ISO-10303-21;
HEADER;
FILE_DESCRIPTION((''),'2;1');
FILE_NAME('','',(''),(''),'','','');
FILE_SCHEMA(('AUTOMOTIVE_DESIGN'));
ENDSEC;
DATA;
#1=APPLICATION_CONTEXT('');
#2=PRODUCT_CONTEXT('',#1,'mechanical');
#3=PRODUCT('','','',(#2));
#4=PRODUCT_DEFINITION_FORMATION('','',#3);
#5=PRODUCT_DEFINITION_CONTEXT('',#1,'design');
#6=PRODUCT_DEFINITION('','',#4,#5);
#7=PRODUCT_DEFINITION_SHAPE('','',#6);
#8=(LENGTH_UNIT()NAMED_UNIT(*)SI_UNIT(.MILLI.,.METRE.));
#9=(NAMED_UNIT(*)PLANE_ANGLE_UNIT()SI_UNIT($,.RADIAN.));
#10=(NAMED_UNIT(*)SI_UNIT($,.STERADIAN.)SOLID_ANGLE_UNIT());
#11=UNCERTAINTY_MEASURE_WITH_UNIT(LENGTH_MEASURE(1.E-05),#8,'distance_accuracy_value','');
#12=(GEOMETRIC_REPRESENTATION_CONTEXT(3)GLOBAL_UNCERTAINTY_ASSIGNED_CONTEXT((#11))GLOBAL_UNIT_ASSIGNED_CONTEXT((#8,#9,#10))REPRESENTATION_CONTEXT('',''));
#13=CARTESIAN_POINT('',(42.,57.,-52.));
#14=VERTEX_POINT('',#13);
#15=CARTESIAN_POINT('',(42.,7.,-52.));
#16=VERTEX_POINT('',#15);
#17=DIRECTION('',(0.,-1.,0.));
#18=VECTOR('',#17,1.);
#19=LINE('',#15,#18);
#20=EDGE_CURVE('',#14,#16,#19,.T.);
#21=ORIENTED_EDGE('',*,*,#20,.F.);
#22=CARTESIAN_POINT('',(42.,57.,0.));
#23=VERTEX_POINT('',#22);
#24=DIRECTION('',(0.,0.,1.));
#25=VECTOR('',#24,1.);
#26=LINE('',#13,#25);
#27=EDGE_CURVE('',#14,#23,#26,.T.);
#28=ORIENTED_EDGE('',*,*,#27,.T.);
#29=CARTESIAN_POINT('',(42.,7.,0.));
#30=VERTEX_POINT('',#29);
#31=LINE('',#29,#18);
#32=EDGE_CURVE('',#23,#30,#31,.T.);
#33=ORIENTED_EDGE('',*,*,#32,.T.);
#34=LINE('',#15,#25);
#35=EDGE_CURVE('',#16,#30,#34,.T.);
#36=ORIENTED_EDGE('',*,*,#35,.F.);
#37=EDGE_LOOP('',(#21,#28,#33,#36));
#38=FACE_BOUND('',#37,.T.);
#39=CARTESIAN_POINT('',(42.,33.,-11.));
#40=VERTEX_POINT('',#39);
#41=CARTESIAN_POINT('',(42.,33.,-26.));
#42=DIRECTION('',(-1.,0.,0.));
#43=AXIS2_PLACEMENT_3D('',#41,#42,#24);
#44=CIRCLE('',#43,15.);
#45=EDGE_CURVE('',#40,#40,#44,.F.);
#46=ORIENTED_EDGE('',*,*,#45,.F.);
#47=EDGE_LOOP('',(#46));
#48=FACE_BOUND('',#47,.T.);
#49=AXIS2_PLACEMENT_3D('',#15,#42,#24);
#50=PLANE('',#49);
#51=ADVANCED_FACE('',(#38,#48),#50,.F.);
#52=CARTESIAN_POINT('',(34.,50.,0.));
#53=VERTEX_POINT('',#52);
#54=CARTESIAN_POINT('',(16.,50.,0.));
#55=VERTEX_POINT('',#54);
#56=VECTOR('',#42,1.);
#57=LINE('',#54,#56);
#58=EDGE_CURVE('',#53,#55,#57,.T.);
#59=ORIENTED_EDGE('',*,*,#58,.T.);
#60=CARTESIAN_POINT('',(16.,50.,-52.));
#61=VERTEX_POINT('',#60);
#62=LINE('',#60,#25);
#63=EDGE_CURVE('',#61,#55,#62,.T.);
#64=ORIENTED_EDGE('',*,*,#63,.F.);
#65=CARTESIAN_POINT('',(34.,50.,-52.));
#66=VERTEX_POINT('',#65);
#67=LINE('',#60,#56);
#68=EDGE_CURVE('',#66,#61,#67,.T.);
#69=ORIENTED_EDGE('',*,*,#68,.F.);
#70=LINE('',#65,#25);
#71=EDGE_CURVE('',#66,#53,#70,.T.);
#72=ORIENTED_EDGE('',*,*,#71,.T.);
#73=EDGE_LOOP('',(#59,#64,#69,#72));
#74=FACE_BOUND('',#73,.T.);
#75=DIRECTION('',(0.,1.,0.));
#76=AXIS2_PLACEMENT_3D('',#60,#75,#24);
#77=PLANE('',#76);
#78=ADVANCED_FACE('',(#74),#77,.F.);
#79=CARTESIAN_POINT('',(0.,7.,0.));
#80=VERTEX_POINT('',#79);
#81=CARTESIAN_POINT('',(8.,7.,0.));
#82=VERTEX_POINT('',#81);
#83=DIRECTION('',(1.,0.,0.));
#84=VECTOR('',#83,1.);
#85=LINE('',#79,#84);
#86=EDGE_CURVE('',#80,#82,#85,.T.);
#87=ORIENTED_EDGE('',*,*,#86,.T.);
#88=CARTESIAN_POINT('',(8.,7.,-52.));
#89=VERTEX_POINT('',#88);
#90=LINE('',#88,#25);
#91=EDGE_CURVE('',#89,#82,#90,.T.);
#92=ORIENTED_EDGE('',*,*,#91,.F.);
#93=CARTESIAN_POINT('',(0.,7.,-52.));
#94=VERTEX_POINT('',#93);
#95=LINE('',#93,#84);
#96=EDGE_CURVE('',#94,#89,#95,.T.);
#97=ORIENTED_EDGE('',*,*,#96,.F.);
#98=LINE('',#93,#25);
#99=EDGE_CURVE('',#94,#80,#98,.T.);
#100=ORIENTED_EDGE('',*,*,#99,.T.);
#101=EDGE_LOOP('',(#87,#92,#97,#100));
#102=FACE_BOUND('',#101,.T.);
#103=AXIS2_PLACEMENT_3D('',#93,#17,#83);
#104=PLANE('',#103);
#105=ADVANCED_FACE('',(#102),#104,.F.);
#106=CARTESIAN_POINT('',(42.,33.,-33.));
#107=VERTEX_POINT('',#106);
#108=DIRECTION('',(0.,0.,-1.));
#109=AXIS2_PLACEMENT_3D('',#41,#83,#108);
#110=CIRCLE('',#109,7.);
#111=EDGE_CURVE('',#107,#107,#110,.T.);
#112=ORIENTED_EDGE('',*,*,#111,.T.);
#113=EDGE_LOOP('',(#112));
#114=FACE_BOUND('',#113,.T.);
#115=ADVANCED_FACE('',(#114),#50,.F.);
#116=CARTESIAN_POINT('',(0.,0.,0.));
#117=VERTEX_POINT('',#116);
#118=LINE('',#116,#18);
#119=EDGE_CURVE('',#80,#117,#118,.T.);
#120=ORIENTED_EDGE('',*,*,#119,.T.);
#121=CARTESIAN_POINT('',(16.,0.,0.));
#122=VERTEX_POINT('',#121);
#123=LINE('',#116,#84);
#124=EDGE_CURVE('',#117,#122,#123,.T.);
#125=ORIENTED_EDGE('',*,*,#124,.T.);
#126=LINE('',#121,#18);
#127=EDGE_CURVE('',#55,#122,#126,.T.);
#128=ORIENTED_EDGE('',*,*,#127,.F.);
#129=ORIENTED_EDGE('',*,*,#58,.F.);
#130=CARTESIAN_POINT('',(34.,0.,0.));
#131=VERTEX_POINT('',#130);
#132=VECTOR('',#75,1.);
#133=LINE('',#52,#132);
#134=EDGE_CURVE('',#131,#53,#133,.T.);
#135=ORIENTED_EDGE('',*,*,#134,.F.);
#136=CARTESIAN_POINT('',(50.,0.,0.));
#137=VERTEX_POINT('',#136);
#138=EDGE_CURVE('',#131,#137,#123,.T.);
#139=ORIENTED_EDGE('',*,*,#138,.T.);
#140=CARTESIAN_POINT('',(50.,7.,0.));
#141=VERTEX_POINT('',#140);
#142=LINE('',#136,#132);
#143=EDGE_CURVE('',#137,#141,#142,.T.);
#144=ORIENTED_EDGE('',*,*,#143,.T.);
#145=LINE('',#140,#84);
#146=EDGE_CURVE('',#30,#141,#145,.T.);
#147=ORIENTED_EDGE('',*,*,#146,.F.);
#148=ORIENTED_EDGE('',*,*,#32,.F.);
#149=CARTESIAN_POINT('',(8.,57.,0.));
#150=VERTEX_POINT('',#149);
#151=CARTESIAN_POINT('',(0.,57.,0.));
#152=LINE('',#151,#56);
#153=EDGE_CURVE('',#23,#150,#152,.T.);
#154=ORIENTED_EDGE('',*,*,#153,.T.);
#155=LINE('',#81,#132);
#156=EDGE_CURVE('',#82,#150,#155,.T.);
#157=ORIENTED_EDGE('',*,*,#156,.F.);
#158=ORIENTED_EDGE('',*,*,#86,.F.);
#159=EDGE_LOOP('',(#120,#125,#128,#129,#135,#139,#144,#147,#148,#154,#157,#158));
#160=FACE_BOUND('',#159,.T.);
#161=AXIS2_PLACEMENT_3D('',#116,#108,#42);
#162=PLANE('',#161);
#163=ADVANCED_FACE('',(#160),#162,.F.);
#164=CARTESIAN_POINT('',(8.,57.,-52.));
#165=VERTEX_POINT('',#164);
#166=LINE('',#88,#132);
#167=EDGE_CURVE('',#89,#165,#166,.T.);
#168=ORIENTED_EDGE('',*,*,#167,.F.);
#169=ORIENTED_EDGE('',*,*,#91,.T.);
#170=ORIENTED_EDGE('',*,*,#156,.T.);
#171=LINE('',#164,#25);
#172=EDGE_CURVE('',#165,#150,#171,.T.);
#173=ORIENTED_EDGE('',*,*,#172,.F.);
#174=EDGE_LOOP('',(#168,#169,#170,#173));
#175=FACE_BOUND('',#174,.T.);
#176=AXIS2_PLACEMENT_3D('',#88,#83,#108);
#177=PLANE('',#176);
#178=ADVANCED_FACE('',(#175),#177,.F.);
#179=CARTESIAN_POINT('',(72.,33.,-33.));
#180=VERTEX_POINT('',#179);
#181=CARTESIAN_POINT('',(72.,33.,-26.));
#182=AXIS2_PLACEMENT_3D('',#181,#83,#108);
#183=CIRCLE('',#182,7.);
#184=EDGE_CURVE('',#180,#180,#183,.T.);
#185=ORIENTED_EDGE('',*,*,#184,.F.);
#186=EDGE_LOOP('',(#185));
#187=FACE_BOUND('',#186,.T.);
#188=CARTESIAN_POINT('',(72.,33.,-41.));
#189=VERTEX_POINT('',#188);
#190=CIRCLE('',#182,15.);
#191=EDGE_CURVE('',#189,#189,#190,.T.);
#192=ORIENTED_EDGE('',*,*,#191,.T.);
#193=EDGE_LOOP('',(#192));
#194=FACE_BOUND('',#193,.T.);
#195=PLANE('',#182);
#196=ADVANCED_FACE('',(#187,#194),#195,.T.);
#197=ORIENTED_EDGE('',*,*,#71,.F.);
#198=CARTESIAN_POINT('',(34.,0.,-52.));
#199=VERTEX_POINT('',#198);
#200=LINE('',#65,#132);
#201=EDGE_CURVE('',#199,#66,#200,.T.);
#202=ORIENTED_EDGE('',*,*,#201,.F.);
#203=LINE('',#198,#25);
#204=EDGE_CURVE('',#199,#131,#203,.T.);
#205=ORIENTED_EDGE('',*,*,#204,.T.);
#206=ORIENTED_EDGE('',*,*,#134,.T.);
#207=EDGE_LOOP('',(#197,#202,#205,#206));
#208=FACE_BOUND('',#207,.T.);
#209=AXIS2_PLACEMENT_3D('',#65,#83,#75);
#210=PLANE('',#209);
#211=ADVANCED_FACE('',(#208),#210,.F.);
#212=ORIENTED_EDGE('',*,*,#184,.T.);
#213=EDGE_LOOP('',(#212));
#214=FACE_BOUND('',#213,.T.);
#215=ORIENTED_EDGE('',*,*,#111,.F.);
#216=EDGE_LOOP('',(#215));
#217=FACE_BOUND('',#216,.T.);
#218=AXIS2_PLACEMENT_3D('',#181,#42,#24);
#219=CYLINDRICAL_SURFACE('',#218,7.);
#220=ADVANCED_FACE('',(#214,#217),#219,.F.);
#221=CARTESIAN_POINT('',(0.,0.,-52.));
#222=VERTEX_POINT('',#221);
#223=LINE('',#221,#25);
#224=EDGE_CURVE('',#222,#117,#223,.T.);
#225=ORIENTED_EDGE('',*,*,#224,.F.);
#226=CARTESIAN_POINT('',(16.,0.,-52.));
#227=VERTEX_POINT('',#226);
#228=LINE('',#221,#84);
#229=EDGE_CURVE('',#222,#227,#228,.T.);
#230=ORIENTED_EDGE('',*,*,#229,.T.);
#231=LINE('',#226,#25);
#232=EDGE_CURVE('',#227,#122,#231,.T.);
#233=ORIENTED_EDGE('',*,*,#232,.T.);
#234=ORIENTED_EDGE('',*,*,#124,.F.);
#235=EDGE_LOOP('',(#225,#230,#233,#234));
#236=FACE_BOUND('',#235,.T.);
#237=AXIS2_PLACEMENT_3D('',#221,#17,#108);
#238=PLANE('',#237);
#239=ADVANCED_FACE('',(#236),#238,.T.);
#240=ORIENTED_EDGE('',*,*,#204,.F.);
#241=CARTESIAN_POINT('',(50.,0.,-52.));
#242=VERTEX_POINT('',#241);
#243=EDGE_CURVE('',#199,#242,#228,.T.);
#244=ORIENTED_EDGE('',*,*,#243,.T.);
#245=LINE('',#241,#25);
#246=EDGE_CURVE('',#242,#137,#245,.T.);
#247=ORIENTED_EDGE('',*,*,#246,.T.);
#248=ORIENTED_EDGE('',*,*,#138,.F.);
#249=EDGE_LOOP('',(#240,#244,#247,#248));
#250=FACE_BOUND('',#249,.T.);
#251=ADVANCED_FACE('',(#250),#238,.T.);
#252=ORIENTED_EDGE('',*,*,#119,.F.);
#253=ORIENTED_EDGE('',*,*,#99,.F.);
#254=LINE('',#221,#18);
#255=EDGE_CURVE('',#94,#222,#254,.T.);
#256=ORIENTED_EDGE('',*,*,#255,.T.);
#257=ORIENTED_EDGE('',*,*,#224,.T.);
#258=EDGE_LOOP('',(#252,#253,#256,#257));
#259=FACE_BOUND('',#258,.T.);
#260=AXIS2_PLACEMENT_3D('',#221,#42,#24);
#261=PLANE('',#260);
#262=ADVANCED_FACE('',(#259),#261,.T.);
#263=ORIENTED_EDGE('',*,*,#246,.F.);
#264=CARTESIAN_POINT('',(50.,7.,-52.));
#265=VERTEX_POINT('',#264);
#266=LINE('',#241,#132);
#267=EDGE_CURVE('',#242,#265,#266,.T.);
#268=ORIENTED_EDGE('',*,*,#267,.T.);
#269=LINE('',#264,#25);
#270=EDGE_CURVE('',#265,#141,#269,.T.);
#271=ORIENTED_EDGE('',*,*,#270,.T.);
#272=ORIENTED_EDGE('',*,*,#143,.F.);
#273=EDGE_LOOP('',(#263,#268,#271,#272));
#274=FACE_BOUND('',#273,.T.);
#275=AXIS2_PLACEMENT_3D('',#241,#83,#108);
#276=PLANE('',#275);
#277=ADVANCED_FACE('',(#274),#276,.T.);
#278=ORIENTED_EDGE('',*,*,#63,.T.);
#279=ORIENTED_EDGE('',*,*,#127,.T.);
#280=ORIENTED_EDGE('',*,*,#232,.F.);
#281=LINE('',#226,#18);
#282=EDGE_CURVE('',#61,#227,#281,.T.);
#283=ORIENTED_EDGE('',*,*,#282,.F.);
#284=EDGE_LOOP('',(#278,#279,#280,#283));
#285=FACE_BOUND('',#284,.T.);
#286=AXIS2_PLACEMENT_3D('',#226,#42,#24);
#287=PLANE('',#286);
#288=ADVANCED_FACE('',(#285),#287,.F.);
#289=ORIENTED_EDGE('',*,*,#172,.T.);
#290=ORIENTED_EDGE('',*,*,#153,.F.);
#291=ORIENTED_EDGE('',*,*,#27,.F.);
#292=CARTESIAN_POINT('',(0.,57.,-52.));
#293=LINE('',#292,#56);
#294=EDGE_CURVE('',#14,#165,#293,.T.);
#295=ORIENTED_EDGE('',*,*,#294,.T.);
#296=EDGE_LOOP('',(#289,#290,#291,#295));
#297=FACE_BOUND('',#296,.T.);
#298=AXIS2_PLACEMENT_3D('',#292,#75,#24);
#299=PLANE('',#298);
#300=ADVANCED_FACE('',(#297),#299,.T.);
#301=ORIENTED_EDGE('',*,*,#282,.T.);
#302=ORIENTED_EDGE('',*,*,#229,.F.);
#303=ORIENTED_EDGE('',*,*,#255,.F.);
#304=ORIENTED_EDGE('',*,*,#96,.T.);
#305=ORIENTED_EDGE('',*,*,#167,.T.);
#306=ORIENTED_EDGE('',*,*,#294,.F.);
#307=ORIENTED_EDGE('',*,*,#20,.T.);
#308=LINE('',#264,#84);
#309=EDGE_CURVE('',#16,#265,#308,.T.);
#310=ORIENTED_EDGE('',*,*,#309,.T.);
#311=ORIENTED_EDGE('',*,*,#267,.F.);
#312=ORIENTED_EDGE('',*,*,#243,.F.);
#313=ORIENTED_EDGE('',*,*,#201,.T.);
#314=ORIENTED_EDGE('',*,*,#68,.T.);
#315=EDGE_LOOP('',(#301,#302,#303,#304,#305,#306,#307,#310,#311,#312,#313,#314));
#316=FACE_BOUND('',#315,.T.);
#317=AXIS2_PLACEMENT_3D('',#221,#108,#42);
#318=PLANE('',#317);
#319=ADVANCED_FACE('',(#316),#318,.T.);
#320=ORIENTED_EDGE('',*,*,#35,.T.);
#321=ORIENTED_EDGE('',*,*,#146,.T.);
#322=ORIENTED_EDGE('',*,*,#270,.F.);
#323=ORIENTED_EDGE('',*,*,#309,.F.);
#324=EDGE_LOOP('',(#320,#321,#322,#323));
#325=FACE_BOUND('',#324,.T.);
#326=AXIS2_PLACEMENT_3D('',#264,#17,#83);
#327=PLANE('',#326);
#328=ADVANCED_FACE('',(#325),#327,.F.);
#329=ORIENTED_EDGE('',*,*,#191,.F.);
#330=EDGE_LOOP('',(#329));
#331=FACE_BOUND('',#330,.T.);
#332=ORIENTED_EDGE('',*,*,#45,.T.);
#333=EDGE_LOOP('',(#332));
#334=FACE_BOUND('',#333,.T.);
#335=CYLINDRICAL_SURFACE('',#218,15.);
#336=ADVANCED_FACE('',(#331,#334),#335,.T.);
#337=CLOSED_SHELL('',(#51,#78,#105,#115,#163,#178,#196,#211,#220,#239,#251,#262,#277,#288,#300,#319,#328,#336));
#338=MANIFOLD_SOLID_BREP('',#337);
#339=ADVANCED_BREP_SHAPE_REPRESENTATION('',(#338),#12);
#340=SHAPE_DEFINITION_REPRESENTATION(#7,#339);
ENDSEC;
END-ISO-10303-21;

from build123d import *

# Parameters (mm, degrees)
SKETCH1_W           = 50
SKETCH1_H           = 57
BOSS_EXTRUDE1_DEPTH = 52
SKETCH2_W           = 18
SKETCH2_H           = 50
CUT_EXTRUDE1_DEPTH  = 52
SKETCH3_W           = 8
SKETCH3_H           = 50
CUT_EXTRUDE2_DEPTH  = 52
SKETCH4_R           = 15
SKETCH4_R_2         = 7
BOSS_EXTRUDE2_DEPTH = 30


with BuildPart() as part:
    # Sketch1 → Boss-Extrude1 (new body)
    with BuildSketch(Plane.XY):
        with Locations((25, 28.5)):
            Rectangle(SKETCH1_W, SKETCH1_H)
    extrude(amount=-BOSS_EXTRUDE1_DEPTH)

    # Sketch2 → Cut-Extrude1 (cut)
    with BuildSketch(Plane.XY):
        with Locations((25, 25)):
            Rectangle(SKETCH2_W, SKETCH2_H)
    extrude(amount=-CUT_EXTRUDE1_DEPTH, mode=Mode.SUBTRACT)

    # Sketch3 → Cut-Extrude2 (cut)
    with BuildSketch(Plane.XY):
        with Locations((46, 32)):
            Rectangle(SKETCH3_W, SKETCH3_H)
        with Locations((4, 32)):
            Rectangle(SKETCH3_W, SKETCH3_H)
    extrude(amount=-CUT_EXTRUDE2_DEPTH, mode=Mode.SUBTRACT)

    # Sketch4 → Boss-Extrude2 (add)
    with BuildSketch(Plane(origin=(42, 0, 0), x_dir=(0, 0, -1), z_dir=(1, 0, 0))):
        with Locations(Location((26, 33, 0), (0, 0, 180))):
            Circle(SKETCH4_R)
        with Locations((26, 33)):
            Circle(SKETCH4_R_2, mode=Mode.SUBTRACT)
    extrude(amount=BOSS_EXTRUDE2_DEPTH)


solid = part.part
